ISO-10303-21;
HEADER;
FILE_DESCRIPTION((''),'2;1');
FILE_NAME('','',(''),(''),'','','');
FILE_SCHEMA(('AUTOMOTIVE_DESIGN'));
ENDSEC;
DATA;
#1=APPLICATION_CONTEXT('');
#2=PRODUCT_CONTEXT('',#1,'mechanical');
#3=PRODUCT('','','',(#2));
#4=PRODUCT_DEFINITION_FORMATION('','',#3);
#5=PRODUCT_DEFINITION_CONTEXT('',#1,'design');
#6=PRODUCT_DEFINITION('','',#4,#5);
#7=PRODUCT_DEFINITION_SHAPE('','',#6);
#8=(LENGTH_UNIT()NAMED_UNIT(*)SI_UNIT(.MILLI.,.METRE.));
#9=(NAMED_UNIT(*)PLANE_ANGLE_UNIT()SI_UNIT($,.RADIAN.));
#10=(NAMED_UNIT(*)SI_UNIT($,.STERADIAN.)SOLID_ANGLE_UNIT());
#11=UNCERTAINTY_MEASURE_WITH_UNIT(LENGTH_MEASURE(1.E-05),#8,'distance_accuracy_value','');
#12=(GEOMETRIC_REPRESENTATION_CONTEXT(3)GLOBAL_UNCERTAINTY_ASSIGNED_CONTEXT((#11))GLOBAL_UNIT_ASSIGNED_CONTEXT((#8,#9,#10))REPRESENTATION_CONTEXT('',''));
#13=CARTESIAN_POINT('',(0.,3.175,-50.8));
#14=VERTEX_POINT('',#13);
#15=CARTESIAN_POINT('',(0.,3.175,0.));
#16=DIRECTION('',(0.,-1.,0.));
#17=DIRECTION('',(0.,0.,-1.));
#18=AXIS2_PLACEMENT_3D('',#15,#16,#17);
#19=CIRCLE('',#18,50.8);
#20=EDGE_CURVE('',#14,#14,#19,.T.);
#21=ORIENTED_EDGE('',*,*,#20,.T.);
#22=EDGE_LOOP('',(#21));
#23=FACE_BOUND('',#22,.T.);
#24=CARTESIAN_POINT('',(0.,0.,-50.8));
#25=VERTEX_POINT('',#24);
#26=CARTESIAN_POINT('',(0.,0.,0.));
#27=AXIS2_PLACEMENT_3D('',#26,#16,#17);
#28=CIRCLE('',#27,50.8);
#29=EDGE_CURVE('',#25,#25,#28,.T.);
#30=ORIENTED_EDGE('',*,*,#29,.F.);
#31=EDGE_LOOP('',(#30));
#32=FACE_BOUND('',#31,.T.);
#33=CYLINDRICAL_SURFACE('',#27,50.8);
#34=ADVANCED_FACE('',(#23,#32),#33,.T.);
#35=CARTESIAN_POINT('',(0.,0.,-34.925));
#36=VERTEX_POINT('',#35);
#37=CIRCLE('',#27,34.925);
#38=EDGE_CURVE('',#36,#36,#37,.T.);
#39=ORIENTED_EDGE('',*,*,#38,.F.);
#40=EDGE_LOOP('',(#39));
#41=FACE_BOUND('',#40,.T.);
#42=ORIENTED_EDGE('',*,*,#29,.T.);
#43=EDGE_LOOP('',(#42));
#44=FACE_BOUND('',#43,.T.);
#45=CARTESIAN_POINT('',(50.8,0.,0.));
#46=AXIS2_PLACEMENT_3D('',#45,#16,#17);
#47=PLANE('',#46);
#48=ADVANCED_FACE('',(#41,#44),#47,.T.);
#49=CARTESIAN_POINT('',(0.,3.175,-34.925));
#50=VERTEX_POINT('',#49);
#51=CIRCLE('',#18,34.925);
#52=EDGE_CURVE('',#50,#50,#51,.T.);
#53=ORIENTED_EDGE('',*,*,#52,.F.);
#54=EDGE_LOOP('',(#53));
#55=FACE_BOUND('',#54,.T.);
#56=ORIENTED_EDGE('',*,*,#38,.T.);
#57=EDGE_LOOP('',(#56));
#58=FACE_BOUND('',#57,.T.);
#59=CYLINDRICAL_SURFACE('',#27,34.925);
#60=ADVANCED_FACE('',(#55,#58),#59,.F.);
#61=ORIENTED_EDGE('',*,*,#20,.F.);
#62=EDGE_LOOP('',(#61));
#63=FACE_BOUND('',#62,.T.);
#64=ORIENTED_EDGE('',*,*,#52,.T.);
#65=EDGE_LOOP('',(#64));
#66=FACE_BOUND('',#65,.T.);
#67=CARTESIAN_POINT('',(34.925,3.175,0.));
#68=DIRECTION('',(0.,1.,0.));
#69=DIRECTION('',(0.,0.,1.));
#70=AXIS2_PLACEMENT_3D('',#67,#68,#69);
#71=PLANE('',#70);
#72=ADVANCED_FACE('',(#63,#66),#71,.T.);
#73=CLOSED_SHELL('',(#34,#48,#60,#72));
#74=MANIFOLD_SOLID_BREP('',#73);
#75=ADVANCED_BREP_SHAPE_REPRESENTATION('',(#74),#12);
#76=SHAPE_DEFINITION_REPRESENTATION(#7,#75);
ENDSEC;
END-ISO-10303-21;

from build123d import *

# Parameters (mm, degrees)
SKETCH1_W = 15.875
SKETCH1_H = 3.175


with BuildPart() as part:
    # Sketch1 → Revolve1 (revolve)
    with BuildSketch(Plane.XY, mode=Mode.PRIVATE) as revolve1_sk:
        with Locations((42.8625, 1.5875)):
            Rectangle(SKETCH1_W, SKETCH1_H)
    revolve(revolve1_sk.sketch.rotate(Axis((0, 0, 0), (0, 1, 0)), 90), axis=Axis((0, 0, 0), (0, 1, 0)))


solid = part.part
